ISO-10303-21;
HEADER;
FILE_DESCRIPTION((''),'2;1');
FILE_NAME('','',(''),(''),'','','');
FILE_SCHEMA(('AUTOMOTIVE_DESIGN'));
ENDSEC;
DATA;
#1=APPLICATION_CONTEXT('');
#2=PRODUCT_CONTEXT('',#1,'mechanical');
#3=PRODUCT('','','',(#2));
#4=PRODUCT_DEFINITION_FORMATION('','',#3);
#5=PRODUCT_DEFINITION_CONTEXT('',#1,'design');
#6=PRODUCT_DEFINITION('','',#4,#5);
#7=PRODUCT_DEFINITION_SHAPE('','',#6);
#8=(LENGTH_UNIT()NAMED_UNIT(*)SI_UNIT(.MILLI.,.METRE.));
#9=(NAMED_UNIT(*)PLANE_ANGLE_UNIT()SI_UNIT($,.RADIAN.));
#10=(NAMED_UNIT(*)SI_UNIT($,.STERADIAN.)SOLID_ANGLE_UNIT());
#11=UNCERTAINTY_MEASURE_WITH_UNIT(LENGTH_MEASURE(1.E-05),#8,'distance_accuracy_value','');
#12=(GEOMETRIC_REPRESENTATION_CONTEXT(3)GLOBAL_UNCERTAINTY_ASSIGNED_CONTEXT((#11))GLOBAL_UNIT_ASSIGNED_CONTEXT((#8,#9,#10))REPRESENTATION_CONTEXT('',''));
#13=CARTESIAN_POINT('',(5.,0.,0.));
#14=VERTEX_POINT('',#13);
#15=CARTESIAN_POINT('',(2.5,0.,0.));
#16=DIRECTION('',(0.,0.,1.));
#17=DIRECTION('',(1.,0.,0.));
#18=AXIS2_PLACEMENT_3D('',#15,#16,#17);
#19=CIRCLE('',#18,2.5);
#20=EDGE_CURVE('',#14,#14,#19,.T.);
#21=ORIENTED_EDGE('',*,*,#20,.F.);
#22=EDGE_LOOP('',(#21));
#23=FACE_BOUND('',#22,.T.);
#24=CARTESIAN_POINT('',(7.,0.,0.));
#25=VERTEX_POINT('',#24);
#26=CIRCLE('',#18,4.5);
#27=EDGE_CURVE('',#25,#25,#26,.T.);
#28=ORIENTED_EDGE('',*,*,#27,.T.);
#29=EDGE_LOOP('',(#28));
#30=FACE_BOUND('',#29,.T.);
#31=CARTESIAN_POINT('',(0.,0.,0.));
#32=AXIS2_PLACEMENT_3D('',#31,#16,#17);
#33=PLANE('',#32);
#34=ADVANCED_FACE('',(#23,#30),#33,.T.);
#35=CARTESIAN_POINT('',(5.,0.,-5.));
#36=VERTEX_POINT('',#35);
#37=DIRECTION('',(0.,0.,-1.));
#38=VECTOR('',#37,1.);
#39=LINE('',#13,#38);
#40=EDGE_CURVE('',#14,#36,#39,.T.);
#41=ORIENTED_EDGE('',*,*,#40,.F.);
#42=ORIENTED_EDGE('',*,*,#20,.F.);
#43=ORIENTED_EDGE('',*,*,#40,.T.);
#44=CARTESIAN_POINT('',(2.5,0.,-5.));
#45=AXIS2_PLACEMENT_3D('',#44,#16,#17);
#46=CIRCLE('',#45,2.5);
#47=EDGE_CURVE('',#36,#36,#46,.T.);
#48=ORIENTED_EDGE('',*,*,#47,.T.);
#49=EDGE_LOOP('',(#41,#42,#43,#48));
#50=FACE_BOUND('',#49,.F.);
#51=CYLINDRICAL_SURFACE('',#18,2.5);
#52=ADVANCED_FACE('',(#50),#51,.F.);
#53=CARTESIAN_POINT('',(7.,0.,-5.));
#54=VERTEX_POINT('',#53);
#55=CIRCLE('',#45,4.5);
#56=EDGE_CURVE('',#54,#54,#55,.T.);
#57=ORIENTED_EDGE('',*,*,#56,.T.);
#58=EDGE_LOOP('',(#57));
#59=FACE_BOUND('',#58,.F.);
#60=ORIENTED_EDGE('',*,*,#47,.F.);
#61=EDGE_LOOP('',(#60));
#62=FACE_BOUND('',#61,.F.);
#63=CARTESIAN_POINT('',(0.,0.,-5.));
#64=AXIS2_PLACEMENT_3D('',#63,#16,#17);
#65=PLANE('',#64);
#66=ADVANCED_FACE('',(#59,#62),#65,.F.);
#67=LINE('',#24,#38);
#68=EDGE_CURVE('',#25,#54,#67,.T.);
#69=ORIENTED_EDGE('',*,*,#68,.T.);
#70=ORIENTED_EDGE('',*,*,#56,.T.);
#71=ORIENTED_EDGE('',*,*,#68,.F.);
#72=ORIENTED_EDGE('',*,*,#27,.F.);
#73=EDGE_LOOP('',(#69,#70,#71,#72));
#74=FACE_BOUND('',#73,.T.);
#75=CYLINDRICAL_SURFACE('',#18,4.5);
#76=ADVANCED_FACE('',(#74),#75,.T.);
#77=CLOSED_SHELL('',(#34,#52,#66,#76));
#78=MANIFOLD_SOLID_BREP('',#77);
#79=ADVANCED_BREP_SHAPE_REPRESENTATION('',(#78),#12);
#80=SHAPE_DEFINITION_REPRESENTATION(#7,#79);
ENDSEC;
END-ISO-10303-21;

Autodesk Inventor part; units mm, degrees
ref_plane "YZ Plane" through (0, 0, 0) normal (1, 0, 0) x (0, 1, 0)
ref_plane "XZ Plane" through (0, 0, 0) normal (0, 1, 0) x (-1, 0, 0)
sketch "Sketch1" plane through (0, 0, 0) normal (0, 0, 1) x (1, 0, 0)
  circle A0 centre (2.5, 0) radius 2.5 projected
  circle A1 centre (2.5, 0) radius 4.5
  point P0 (0, 0)
  dimension "d0" = 9
ref_plane "Work Plane1" through (-2.5, -5, -5) normal (0, 0, 1) x (1, 0, 0)
extrude "Extrusion1" add sketch "Sketch1" against normal up to surface (5 mm away)
properties part number "small_bearing" material "Steel, Alloy"
